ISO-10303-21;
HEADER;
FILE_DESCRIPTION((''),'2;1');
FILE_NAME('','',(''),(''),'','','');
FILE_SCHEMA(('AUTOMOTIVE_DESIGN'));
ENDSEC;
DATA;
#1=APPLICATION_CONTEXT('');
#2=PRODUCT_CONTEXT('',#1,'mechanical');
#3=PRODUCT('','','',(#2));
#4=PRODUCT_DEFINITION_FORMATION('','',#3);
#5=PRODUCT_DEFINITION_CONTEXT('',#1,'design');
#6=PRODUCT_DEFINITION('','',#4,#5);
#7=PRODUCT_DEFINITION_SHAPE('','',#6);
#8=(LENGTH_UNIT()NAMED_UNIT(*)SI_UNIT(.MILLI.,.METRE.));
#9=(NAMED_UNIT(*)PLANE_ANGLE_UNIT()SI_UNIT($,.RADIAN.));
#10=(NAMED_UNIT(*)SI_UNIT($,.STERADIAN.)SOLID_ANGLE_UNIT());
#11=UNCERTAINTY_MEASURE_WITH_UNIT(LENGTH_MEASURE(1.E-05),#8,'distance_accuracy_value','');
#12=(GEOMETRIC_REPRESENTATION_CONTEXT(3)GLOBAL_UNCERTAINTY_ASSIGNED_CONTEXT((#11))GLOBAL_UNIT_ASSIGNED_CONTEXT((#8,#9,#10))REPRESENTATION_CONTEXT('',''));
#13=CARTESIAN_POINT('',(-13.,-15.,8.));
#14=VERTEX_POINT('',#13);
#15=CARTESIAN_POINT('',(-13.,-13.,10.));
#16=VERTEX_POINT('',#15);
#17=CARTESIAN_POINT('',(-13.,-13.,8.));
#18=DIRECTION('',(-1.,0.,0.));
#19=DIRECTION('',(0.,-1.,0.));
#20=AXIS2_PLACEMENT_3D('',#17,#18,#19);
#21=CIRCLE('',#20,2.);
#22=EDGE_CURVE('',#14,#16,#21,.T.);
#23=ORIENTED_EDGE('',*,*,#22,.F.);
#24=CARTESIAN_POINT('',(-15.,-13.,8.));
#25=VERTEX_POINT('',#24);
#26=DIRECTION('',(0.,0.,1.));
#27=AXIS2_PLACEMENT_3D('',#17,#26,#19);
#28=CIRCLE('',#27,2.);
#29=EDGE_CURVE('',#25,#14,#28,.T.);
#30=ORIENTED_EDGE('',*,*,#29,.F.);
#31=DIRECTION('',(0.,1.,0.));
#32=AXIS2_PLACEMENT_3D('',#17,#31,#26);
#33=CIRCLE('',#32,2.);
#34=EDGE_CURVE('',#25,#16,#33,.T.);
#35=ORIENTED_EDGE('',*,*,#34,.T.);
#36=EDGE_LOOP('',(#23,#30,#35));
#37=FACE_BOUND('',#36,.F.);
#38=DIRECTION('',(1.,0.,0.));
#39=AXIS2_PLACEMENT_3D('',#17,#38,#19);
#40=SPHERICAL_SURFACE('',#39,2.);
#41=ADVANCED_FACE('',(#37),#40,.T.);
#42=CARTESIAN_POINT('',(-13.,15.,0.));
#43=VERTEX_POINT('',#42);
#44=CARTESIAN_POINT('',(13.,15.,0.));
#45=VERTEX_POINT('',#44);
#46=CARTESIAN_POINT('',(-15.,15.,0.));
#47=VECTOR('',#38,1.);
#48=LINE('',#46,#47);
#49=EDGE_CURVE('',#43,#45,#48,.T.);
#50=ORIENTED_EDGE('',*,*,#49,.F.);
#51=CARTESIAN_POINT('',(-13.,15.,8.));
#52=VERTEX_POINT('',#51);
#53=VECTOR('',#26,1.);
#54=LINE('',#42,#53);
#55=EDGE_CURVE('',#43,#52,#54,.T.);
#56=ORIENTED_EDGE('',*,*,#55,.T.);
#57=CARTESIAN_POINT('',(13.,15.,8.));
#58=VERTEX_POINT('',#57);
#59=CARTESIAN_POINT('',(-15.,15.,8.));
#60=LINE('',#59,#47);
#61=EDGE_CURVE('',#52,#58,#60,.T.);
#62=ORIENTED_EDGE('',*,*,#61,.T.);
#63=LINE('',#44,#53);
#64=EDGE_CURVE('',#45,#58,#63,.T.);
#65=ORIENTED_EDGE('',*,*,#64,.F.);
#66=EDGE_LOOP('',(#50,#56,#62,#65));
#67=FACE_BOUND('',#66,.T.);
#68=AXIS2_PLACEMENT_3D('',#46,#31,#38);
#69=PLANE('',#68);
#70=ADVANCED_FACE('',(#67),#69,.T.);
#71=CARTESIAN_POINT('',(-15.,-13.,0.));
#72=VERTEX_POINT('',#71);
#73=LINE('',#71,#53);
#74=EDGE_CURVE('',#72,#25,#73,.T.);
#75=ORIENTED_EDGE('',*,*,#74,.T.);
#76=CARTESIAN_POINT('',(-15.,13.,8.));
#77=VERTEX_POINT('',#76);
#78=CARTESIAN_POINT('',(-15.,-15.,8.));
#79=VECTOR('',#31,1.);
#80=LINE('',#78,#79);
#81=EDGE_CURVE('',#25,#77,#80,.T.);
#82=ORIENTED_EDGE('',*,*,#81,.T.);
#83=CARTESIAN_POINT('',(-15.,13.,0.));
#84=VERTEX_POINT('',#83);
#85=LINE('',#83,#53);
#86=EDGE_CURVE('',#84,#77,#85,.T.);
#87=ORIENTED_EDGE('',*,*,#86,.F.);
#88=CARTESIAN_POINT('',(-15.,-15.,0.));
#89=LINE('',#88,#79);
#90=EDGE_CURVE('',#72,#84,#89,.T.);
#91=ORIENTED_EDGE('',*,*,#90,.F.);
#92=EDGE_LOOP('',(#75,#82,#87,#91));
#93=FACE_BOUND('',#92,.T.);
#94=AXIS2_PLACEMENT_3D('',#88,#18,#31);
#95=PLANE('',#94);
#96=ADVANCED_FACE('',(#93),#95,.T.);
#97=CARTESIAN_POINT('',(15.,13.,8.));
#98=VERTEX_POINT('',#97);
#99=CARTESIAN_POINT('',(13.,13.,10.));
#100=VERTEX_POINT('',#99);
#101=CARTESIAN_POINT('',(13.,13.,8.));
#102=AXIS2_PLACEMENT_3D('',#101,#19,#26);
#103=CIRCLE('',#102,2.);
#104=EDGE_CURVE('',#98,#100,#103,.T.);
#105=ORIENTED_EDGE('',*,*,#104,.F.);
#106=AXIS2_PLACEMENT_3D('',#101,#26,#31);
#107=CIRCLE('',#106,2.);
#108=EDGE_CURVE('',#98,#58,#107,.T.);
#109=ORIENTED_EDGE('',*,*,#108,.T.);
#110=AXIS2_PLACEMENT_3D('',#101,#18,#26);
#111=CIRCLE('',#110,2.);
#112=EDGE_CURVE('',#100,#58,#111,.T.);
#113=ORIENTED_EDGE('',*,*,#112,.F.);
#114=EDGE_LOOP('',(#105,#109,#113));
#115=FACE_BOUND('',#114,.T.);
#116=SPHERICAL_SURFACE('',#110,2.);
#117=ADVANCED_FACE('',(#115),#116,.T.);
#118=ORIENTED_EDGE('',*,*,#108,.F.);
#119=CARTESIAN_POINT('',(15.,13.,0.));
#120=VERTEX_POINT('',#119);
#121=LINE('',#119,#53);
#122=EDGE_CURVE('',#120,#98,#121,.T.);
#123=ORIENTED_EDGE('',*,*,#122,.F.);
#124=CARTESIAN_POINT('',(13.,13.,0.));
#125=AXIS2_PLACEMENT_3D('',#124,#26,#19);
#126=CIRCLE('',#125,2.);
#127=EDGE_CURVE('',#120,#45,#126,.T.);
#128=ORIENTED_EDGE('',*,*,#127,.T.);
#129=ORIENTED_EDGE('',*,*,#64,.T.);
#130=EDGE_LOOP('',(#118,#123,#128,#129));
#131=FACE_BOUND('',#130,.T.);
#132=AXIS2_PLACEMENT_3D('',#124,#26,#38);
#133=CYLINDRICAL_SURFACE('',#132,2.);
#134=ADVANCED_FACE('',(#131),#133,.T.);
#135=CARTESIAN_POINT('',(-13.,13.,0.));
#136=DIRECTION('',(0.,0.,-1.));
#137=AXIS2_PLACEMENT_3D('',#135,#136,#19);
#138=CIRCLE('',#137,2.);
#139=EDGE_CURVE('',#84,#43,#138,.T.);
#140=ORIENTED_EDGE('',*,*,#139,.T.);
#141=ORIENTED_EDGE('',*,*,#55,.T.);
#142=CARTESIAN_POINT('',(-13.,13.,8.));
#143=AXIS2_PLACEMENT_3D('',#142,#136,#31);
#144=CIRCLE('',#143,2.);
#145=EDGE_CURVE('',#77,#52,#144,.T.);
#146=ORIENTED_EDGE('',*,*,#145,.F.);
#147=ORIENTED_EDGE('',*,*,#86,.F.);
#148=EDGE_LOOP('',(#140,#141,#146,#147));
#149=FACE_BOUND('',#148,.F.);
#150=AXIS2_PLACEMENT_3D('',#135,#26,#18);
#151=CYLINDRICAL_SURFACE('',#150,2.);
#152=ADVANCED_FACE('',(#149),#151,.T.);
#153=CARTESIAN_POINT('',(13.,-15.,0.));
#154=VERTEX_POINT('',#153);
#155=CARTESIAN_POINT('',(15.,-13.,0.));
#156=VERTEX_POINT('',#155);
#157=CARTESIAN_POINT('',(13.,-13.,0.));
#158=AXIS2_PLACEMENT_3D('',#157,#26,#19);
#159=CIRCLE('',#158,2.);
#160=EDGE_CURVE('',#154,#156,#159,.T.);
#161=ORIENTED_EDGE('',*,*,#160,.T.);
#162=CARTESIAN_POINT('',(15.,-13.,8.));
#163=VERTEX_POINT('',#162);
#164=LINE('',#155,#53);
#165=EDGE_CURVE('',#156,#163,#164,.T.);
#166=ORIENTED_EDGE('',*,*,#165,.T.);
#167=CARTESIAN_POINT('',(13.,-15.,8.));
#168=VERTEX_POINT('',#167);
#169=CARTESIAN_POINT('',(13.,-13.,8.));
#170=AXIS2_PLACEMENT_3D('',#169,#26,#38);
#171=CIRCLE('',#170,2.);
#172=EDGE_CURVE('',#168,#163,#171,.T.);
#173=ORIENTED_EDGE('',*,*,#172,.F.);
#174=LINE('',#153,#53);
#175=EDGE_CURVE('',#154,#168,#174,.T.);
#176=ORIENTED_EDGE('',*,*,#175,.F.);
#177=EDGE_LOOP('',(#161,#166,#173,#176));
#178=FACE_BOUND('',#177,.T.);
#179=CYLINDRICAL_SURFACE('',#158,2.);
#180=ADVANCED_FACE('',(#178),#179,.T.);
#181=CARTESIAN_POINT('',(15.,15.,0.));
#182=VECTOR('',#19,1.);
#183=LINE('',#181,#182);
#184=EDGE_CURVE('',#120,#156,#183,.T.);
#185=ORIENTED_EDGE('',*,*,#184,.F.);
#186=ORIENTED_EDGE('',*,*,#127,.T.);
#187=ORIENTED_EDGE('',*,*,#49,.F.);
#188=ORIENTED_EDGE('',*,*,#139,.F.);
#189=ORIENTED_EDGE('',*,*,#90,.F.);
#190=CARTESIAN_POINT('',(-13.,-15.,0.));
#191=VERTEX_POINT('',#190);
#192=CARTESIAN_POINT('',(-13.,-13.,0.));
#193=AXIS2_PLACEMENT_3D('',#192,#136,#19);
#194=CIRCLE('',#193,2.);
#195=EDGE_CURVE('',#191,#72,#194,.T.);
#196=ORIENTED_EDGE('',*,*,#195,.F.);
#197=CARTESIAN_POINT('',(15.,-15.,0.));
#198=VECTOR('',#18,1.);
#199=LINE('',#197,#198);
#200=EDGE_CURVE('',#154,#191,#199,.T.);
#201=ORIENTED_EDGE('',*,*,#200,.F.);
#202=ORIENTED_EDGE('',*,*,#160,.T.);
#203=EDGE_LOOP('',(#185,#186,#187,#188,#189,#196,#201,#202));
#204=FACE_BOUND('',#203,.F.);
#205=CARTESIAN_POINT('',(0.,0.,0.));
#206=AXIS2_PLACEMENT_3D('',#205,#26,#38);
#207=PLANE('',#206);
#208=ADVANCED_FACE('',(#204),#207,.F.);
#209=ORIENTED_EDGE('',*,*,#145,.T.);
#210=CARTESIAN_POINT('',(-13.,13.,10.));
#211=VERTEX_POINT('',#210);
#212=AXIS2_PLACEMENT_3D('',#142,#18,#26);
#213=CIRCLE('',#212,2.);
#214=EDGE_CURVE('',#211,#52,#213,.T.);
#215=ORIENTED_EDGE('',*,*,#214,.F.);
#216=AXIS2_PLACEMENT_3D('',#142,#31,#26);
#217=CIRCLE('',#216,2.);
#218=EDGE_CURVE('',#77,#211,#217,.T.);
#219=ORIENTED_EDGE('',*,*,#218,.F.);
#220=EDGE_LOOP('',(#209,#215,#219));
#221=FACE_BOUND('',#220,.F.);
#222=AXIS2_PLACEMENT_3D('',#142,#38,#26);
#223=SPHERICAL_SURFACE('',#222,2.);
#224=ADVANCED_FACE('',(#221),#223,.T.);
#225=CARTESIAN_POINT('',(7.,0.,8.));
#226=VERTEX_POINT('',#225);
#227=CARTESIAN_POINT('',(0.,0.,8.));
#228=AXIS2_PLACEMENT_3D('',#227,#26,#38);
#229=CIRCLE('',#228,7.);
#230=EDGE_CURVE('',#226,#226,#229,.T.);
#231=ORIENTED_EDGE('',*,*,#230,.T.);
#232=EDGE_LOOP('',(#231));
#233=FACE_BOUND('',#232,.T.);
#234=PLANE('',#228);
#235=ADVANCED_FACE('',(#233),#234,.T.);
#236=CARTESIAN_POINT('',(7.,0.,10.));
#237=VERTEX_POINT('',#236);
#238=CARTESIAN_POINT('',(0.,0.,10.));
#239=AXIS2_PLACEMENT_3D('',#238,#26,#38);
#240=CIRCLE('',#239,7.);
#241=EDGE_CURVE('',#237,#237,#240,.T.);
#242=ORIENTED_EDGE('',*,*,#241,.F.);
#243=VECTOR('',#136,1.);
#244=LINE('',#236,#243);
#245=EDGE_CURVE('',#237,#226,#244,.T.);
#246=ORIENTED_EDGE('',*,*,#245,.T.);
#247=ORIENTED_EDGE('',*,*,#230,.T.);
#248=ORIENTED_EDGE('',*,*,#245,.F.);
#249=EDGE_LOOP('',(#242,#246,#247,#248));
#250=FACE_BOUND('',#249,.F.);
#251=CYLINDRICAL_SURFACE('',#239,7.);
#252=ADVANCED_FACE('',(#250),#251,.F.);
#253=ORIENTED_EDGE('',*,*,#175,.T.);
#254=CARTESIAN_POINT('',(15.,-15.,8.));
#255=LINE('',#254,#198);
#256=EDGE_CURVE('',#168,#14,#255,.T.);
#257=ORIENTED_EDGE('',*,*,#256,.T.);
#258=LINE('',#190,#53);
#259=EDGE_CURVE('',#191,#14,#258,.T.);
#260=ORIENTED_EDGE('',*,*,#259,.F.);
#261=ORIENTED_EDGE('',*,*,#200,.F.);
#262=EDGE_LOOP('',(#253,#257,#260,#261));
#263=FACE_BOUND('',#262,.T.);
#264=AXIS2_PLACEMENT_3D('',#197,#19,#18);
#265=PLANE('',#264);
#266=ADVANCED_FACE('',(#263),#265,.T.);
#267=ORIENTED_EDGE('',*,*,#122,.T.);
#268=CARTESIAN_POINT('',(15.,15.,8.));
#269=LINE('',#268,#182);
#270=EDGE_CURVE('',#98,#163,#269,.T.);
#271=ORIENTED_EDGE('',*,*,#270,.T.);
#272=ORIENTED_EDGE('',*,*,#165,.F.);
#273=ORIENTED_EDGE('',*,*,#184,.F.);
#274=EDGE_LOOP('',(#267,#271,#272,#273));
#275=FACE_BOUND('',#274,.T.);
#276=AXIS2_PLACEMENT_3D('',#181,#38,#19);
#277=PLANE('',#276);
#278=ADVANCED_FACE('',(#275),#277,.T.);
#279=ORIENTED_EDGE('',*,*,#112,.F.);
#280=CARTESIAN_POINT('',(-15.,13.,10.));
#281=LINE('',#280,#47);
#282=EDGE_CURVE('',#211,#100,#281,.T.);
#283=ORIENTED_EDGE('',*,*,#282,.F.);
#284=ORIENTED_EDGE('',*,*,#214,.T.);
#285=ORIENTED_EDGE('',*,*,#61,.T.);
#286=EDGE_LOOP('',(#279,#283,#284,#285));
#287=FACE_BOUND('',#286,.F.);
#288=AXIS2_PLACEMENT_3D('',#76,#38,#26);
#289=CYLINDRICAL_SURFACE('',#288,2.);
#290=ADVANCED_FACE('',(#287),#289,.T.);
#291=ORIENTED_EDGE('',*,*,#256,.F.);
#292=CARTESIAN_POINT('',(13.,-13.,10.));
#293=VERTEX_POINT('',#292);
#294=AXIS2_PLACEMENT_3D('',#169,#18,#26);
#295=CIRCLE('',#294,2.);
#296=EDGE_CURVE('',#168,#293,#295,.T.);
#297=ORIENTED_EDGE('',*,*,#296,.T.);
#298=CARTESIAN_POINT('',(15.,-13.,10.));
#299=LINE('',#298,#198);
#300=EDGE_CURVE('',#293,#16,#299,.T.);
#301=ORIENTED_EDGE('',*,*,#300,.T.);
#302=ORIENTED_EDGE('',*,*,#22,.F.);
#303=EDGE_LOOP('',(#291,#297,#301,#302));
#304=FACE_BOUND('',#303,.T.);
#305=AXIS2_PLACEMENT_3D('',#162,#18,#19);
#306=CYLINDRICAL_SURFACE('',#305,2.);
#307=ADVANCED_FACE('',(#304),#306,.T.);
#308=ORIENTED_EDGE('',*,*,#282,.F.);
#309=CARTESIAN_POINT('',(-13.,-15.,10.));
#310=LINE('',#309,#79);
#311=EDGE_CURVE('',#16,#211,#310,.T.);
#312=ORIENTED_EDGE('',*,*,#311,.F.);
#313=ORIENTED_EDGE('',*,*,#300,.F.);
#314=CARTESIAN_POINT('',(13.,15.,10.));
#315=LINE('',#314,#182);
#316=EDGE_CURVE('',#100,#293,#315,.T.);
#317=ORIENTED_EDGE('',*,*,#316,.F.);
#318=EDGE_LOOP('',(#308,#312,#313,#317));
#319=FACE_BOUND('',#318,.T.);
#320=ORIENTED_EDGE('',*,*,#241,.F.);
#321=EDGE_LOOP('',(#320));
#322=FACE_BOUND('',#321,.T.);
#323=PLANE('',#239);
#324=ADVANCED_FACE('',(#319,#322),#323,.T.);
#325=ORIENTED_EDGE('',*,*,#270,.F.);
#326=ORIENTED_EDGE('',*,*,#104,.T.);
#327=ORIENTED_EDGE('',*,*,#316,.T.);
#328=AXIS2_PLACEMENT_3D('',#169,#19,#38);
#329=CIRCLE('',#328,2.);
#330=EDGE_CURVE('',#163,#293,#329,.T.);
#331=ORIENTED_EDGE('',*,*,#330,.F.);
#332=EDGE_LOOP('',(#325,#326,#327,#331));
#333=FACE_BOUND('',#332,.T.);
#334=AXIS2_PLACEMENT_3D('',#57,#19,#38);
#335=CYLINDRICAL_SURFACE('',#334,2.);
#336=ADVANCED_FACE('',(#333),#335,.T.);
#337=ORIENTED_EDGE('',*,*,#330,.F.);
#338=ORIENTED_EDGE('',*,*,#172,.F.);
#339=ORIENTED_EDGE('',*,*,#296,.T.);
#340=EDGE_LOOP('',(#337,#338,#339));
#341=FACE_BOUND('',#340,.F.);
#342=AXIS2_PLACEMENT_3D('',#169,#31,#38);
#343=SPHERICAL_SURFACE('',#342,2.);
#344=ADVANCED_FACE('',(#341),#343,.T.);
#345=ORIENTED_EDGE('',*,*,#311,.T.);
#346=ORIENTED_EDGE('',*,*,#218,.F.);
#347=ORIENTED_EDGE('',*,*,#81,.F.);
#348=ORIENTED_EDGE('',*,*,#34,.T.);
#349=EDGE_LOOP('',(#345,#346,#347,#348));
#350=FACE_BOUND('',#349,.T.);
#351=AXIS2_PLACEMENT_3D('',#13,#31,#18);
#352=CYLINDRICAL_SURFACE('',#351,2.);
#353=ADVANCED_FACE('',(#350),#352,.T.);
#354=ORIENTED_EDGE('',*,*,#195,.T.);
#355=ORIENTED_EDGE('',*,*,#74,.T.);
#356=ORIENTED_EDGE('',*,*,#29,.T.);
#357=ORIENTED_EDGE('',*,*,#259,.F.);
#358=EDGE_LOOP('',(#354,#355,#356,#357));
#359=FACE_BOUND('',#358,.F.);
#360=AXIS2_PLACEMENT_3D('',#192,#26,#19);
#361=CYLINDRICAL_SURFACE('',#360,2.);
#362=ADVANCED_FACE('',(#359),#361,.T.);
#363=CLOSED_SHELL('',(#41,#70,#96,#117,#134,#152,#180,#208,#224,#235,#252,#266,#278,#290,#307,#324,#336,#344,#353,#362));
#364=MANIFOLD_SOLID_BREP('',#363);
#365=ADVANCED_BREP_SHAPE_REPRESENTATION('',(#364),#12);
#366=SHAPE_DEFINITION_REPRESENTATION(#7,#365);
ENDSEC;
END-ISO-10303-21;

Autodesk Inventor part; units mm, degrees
ref_plane "YZ Plane" through (0, 0, 0) normal (1, 0, 0) x (0, 1, 0)
ref_plane "XZ Plane" through (0, 0, 0) normal (0, 1, 0) x (-1, 0, 0)
ref_plane "XY Plane" through (0, 0, 0) normal (0, 0, 1) x (1, 0, 0)
sketch "Sketch1" plane through (0, 0, 0) normal (0, 0, 1) x (1, 0, 0)
  line L0 (15, -15) -> (-15, -15)
  line L1 (-15, -15) -> (-15, 15)
  line L2 (-15, 15) -> (15, 15)
  line L3 (15, 15) -> (15, -15)
  line L4 (15, -15) -> (-15, 15) construction
  line L5 (-15, -15) -> (15, 15) construction
  point P0 (0, 0)
  dimension "d0" = 30
  dimension "d1" = 30
extrude "Extrusion1" add sketch "Sketch1" along normal blind 10
sketch "Sketch2" plane through (0, 0, 10) normal (0, 0, 1) x (1, 0, 0)
  circle A0 centre (0, 0) radius 7
  dimension "d4" = 14
extrude "Extrusion2" cut sketch "Sketch2" against normal blind 2
fillet "Fillet1" radius 2 8 edges at (0, 15, 10) (15, 0, 10) (15, 15, 5) (15, -15, 5) (0, -15, 10) (-15, -15, 5) (-15, 0, 10) (-15, 15, 5)
properties part number "potentiometer body"
